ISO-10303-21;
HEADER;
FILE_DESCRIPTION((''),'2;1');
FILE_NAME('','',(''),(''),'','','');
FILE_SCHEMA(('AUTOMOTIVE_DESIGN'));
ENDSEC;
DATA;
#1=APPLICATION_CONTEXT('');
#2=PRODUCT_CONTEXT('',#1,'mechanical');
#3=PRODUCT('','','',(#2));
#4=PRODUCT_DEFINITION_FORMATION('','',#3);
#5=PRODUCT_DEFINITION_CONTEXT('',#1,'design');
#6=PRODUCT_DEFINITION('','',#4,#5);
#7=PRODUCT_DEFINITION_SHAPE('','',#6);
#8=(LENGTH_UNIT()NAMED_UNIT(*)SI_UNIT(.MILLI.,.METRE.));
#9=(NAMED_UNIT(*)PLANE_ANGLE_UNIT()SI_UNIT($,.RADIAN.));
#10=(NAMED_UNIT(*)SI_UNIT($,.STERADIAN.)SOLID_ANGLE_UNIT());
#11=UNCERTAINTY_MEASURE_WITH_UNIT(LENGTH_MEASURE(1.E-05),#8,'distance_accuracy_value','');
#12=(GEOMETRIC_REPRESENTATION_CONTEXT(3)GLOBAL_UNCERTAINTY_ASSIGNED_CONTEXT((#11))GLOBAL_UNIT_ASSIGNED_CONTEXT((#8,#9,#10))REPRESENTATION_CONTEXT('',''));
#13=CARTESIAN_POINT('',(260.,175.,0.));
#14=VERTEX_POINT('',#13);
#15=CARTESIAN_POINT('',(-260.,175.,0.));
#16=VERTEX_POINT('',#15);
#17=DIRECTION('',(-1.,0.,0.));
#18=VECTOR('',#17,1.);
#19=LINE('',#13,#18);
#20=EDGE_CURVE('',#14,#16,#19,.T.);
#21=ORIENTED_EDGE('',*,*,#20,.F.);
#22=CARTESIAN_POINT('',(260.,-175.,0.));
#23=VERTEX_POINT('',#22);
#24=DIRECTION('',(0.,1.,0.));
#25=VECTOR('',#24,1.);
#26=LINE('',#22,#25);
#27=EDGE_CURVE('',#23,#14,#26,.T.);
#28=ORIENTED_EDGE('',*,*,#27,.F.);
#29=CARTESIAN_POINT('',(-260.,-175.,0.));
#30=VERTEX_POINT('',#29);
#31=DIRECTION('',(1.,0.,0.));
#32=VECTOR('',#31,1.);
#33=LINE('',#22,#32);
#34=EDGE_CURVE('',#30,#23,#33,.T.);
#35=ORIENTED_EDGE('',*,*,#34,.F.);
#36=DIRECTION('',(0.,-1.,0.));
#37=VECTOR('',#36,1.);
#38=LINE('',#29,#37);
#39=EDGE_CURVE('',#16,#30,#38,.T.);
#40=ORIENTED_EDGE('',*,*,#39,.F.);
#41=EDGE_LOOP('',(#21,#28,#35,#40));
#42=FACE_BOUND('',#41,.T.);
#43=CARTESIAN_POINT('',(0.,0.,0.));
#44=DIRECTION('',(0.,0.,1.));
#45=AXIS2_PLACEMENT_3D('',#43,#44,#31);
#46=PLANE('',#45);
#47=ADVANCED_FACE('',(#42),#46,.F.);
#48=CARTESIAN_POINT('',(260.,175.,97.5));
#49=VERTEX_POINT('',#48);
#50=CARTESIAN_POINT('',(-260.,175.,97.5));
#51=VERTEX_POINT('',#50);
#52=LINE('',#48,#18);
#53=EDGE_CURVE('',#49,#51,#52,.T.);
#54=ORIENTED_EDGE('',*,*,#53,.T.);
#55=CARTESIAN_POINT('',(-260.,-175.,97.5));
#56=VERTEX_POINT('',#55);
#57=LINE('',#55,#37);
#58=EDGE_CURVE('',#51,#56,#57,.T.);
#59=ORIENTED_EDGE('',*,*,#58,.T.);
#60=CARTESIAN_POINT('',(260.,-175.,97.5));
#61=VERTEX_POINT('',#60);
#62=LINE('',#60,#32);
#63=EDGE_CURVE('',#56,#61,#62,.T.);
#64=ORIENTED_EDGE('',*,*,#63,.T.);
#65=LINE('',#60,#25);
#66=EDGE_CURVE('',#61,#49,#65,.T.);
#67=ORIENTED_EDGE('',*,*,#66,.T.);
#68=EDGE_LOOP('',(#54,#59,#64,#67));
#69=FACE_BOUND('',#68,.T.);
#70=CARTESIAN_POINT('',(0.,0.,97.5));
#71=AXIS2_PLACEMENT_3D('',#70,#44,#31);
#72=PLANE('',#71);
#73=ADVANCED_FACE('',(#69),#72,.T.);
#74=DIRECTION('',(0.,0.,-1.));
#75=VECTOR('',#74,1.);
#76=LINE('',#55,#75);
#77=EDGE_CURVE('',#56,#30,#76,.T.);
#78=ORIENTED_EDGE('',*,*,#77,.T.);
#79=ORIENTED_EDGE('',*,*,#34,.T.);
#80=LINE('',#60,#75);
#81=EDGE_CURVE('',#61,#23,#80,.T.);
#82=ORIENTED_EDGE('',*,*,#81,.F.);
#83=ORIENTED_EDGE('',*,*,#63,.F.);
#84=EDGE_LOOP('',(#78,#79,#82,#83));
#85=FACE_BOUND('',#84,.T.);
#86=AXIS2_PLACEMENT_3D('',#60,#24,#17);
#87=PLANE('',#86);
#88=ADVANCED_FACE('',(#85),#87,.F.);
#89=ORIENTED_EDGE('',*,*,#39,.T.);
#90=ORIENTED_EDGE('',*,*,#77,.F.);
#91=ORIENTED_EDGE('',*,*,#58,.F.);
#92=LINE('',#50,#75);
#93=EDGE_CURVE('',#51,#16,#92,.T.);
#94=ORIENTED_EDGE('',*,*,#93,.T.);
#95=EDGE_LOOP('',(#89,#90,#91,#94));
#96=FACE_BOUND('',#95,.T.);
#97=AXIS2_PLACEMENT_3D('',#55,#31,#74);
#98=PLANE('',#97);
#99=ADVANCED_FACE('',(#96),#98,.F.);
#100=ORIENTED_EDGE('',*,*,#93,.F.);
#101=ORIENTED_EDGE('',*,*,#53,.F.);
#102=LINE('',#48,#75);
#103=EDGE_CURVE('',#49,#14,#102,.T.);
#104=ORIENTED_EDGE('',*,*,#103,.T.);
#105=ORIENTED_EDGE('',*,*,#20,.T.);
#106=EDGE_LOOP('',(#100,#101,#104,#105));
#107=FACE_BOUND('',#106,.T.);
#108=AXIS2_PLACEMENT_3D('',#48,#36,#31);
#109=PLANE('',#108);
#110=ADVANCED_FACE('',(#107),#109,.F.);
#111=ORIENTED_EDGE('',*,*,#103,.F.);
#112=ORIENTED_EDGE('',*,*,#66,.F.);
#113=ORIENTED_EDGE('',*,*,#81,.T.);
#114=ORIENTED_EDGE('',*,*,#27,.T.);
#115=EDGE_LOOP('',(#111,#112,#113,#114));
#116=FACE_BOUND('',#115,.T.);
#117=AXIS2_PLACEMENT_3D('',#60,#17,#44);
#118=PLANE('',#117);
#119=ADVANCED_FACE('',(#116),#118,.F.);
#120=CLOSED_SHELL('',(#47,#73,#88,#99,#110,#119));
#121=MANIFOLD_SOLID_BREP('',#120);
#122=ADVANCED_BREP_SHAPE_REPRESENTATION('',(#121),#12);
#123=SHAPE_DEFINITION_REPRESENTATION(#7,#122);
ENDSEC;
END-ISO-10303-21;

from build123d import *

# Parameters (mm, degrees)
SKETCH_1_W      = 520
SKETCH_1_H      = 350
EXTRUDE_1_DEPTH = 97.5


with BuildPart() as part:
    # 草图1 → 凸台-拉伸1 (new body)
    with BuildSketch(Plane.XY):
        Rectangle(SKETCH_1_W, SKETCH_1_H)
    extrude(amount=EXTRUDE_1_DEPTH)


solid = part.part
